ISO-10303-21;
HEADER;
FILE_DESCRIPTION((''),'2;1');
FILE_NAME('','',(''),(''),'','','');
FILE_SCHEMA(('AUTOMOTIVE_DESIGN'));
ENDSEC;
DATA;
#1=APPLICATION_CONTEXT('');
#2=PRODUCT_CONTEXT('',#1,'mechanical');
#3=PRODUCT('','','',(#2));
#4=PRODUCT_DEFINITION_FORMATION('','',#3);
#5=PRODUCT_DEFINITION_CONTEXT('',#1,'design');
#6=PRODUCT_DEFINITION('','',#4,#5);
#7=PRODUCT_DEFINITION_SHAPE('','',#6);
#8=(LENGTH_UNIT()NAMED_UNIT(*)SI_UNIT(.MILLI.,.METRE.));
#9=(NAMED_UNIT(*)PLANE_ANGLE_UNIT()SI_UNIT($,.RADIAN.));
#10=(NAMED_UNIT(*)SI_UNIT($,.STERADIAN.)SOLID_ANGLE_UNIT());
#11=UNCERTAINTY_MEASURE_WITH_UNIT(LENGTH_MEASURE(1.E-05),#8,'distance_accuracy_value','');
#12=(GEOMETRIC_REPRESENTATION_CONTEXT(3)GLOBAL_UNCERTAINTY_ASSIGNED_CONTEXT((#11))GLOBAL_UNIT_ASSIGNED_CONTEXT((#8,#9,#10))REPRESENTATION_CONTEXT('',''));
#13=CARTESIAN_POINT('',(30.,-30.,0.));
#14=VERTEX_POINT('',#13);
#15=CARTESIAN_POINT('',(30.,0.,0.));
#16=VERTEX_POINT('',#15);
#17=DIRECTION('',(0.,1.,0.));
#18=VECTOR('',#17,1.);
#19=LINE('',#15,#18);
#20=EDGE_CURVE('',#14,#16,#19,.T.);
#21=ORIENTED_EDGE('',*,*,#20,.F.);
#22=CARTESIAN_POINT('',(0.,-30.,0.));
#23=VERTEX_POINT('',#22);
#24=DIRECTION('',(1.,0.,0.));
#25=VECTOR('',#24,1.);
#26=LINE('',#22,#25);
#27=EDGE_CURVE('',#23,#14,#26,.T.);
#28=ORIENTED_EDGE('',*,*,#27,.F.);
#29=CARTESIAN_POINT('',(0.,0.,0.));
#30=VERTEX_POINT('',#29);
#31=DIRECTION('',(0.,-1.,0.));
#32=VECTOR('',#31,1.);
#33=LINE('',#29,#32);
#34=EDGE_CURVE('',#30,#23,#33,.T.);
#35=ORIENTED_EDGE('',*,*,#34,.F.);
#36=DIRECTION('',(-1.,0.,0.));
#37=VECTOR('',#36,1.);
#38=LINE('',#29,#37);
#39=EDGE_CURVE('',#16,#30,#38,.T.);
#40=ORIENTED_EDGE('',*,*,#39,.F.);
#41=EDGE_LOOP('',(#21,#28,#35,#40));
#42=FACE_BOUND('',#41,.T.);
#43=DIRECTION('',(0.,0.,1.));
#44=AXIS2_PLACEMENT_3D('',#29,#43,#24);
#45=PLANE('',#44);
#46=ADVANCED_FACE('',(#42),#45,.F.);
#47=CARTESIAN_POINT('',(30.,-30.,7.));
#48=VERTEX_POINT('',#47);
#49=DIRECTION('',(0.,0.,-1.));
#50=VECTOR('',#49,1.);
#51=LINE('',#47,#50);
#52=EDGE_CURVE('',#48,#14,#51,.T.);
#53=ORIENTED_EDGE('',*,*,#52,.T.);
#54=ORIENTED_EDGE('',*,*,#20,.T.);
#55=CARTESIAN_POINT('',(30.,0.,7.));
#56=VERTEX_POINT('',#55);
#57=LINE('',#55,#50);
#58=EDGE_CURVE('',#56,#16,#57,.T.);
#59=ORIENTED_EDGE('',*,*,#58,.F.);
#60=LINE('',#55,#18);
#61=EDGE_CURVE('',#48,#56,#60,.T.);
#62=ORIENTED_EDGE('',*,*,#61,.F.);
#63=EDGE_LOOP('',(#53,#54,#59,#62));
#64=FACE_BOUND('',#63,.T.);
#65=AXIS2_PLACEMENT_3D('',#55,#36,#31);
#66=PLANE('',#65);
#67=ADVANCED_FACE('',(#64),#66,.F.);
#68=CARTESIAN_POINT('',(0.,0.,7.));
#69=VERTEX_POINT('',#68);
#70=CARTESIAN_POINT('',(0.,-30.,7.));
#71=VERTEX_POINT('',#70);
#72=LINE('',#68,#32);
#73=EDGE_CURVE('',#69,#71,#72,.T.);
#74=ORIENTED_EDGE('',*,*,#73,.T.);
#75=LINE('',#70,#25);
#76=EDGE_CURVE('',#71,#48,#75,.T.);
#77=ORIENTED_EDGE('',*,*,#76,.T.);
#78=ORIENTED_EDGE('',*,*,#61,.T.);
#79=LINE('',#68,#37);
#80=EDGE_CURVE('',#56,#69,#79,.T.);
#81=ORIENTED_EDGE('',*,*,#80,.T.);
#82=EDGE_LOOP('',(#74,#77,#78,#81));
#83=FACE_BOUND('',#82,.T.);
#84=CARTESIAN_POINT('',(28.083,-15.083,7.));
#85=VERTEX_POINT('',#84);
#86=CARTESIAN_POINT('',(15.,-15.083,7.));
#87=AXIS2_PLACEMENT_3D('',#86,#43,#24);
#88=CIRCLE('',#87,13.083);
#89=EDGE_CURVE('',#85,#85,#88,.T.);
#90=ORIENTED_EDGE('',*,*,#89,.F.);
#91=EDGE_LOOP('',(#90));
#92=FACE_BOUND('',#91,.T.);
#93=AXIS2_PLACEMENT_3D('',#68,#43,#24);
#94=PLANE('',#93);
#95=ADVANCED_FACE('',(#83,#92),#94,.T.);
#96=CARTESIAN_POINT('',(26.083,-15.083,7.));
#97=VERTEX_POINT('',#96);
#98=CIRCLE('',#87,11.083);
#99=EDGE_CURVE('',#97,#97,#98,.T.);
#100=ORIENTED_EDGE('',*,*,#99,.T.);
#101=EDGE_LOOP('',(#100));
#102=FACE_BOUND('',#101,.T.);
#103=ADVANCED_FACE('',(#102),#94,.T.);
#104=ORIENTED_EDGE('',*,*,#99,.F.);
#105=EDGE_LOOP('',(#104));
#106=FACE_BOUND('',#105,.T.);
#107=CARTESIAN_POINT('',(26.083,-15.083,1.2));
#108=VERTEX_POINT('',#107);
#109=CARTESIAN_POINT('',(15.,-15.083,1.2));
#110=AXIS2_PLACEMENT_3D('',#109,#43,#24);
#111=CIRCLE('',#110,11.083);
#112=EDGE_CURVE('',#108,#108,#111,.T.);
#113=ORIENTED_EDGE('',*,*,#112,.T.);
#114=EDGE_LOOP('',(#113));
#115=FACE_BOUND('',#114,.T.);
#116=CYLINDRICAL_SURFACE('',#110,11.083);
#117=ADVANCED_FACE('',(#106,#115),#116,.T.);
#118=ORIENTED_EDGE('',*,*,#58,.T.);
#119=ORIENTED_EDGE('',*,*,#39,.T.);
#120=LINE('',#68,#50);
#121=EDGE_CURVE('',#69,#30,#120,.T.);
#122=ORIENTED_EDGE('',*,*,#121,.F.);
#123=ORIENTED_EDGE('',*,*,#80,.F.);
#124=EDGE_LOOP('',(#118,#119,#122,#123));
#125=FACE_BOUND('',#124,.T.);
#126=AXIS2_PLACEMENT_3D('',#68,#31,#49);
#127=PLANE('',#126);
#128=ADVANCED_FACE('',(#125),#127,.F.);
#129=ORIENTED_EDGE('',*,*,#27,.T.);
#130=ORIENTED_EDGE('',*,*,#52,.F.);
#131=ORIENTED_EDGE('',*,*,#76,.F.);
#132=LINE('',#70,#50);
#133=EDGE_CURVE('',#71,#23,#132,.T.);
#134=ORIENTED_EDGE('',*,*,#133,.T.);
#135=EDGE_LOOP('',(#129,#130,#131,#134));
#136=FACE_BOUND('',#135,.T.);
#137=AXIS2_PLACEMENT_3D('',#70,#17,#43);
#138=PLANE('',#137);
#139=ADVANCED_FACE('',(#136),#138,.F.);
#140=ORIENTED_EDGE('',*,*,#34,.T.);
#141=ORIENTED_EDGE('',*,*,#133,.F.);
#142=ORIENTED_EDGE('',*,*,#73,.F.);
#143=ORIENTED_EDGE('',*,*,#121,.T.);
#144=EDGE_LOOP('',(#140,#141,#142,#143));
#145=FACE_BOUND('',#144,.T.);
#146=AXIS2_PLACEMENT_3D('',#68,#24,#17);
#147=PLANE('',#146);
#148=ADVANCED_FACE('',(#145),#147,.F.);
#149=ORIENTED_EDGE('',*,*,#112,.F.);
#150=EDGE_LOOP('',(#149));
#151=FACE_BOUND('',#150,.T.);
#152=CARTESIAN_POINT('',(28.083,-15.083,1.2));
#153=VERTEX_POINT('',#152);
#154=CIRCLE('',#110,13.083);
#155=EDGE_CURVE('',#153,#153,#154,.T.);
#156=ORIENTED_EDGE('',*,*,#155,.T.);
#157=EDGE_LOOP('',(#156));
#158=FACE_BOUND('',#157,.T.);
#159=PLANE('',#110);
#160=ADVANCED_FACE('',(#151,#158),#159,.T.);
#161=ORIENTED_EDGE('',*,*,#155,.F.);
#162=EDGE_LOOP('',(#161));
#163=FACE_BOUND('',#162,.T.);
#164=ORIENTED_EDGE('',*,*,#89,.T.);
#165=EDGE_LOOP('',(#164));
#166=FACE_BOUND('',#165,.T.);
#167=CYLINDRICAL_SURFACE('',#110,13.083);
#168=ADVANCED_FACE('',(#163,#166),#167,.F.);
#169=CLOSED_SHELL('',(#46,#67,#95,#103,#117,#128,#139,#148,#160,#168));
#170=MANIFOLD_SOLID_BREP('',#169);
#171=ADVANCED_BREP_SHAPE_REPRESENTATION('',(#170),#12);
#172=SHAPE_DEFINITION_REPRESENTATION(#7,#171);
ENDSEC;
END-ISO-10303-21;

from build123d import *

# Parameters (mm, degrees)
SKETCH_1_W          = 30
SKETCH_1_H          = 30
EXTRUDE_1_DEPTH     = 7
SKETCH_5_R          = 13.083
SKETCH_5_R_2        = 11.083
CUT_EXTRUDE_1_DEPTH = 5.8


with BuildPart() as part:
    # 草图1 → 凸台-拉伸1 (new body)
    with BuildSketch(Plane.XY):
        with Locations((15, -15)):
            Rectangle(SKETCH_1_W, SKETCH_1_H)
    extrude(amount=EXTRUDE_1_DEPTH)

    # 草图5 → 切除-拉伸1 (cut)
    with BuildSketch(Plane.XY.offset(7)):
        with Locations((15, -15.083)):
            Circle(SKETCH_5_R)
        with Locations((15, -15.083)):
            Circle(SKETCH_5_R_2, mode=Mode.SUBTRACT)
    extrude(amount=-CUT_EXTRUDE_1_DEPTH, mode=Mode.SUBTRACT)


solid = part.part
